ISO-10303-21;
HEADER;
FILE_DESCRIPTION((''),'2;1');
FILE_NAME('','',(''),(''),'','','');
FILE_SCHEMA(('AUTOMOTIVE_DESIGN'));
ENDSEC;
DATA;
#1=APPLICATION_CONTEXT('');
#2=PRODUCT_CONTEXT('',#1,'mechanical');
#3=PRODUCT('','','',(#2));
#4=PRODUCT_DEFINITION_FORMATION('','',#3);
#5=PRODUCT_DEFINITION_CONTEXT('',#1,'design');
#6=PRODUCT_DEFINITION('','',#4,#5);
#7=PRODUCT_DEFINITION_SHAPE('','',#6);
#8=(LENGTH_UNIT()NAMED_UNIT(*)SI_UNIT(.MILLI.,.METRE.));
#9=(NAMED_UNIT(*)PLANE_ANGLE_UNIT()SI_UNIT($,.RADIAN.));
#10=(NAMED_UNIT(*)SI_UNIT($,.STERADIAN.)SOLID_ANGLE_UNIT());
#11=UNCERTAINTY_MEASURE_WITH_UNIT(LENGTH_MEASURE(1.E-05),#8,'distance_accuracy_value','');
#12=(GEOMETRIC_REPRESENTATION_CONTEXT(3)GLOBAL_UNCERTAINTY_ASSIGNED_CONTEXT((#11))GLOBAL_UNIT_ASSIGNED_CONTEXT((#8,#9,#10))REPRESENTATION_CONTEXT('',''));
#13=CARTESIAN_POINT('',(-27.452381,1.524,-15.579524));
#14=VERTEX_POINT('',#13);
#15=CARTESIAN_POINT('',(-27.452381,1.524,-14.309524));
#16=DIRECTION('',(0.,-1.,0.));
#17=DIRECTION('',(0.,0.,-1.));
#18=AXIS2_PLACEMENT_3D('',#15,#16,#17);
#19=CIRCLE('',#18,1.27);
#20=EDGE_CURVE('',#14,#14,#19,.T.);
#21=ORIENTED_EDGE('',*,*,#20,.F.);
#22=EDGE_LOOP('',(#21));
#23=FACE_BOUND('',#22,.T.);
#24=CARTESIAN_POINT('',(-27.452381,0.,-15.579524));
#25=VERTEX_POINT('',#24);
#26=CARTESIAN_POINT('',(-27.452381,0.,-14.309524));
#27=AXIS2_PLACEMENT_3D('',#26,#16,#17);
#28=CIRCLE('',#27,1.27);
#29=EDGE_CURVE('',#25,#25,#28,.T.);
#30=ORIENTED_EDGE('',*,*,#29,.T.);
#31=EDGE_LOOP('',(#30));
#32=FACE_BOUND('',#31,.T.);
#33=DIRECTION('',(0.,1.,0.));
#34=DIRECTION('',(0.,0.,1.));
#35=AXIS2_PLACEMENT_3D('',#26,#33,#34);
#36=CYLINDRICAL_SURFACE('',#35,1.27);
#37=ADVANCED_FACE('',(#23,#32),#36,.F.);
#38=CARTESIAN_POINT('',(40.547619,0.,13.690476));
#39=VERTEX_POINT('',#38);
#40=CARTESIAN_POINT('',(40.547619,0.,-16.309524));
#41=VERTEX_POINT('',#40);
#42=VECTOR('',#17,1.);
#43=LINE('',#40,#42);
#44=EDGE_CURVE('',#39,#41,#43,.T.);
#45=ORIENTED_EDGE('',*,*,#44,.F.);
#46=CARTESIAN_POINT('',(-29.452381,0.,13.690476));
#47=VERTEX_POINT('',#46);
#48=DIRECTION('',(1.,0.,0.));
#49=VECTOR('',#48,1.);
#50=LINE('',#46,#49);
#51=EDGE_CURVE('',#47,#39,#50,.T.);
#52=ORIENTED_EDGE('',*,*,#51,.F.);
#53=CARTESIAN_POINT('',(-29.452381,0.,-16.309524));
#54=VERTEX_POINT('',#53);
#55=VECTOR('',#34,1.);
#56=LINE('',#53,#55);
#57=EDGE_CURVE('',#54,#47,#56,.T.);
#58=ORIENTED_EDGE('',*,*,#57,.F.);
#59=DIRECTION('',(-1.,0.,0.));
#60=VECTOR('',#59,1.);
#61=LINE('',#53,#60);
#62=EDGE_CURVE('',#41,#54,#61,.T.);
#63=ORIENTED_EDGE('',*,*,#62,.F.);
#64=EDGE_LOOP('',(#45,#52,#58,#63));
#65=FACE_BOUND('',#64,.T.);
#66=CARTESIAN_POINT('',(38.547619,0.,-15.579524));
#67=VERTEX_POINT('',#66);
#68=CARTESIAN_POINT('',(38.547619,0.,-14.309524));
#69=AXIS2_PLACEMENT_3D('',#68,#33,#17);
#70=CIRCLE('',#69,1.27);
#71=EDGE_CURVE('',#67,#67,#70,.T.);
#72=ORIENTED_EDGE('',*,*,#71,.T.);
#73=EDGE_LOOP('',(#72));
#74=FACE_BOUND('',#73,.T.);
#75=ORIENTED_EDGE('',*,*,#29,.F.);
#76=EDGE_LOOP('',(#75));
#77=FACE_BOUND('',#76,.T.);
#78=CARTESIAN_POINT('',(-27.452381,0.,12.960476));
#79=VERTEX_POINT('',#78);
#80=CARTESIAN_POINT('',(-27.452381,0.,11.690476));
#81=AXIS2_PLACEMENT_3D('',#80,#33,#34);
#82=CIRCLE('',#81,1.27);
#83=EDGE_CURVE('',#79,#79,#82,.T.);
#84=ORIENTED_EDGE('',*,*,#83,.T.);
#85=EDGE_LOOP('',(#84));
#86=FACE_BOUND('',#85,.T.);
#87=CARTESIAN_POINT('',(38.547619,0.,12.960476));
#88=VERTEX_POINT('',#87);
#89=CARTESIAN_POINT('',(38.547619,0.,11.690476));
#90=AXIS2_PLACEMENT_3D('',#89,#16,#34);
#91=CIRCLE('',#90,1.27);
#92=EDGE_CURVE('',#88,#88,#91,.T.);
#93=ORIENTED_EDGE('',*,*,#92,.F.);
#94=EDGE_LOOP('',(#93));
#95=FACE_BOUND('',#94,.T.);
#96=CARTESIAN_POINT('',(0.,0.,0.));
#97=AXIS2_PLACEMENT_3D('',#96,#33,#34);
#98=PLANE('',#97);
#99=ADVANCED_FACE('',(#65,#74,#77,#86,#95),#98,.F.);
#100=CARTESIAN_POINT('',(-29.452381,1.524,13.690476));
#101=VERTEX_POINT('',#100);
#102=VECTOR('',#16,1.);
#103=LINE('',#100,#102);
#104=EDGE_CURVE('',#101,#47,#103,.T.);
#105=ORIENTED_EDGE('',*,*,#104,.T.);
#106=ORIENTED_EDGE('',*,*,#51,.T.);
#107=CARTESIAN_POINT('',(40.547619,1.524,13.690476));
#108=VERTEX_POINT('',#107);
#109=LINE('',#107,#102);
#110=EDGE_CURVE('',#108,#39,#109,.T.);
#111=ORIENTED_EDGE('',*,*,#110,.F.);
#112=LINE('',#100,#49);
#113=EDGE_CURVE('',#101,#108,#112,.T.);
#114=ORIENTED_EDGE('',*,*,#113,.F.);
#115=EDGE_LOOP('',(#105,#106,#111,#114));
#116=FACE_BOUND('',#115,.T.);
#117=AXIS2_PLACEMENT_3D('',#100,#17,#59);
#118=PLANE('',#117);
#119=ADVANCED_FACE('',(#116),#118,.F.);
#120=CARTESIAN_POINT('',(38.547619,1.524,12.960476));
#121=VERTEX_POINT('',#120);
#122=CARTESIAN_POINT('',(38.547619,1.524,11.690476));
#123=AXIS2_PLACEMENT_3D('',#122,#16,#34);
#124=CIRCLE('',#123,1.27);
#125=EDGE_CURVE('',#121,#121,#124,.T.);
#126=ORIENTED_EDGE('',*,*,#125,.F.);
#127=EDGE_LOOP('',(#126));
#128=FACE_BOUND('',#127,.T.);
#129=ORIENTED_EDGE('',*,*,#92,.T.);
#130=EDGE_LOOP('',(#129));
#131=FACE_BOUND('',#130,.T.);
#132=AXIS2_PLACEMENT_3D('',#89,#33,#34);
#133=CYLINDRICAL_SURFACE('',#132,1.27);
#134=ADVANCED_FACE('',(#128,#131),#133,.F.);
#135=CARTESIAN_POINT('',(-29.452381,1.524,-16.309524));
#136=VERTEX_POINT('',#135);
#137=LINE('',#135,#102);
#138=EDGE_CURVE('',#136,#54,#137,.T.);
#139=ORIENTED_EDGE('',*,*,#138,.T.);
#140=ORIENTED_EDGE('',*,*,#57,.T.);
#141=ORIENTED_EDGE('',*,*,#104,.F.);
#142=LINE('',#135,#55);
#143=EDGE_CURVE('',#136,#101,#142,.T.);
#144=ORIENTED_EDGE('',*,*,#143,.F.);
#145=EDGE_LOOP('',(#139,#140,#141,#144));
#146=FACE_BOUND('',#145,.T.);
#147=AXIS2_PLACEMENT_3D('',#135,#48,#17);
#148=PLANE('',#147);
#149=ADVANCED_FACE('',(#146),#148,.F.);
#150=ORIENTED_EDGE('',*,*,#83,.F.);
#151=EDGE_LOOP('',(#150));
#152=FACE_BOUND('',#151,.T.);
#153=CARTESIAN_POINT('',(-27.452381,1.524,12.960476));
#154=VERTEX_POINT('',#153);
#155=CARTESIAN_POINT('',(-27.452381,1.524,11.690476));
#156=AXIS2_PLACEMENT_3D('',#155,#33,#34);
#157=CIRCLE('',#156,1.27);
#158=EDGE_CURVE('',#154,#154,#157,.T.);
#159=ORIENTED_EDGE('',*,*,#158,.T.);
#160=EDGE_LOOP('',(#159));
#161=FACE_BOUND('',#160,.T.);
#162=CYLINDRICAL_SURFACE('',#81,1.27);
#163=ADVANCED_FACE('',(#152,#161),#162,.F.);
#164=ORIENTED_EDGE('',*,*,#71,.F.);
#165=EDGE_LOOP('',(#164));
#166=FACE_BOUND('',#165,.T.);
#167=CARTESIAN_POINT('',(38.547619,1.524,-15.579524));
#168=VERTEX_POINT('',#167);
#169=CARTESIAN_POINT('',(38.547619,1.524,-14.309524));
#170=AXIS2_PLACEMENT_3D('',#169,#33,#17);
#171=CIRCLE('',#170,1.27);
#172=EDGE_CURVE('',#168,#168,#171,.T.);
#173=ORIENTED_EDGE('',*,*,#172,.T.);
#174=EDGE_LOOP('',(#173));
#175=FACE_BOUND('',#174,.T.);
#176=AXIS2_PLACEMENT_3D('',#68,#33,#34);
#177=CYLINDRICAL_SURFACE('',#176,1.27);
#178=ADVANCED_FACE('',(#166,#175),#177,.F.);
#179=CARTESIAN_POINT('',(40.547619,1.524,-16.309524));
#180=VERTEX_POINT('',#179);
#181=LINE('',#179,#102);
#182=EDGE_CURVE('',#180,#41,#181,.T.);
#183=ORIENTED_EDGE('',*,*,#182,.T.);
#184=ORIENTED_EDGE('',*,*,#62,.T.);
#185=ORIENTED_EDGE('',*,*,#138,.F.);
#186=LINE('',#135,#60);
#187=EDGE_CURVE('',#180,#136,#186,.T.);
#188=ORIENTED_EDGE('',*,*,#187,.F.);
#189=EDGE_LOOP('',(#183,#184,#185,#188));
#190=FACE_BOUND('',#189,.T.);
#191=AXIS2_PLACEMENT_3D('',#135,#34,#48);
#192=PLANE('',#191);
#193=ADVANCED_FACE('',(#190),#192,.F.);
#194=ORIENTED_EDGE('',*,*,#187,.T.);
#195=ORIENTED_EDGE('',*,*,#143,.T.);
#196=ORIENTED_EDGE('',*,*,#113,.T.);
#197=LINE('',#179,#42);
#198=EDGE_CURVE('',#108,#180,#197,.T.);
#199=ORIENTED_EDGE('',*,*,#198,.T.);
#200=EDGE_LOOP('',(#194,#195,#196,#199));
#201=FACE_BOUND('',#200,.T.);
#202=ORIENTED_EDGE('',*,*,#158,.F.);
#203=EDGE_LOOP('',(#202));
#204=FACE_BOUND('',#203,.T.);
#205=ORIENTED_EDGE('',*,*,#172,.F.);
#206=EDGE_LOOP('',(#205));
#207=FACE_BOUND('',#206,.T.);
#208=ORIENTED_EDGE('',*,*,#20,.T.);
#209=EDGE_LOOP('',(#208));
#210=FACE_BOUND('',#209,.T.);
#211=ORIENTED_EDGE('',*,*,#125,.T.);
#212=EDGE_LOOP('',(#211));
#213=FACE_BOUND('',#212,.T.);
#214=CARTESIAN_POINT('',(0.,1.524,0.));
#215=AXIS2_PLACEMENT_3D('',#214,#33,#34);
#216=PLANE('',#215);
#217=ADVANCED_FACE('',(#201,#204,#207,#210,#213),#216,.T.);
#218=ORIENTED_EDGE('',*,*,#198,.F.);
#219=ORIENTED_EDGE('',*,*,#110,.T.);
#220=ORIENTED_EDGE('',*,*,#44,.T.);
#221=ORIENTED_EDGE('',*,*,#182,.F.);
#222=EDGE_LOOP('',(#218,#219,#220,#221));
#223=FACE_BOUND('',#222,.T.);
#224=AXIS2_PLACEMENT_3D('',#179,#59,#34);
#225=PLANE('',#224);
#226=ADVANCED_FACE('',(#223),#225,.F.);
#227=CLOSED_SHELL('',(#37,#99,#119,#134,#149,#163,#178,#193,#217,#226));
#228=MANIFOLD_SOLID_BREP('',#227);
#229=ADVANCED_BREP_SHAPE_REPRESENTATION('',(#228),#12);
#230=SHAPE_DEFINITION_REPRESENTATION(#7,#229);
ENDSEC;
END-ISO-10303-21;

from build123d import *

# Parameters (mm, degrees)
SKETCH1_W               = 70
SKETCH1_H               = 30
BOSS_EXTRUDE1_DEPTH     = 1.524
SKETCH2_R               = 1.27
CUT_EXTRUDE1_DEPTH      = 2.524
MIRROR2_COPY_1_SKETCH_R = 1.27
MIRROR2_COPY_1_DEPTH    = 2.524


with BuildPart() as part:
    # Sketch1 → Boss-Extrude1 (new body)
    with BuildSketch(Plane(origin=(0, 0, 0), x_dir=(1, 0, 0), z_dir=(0, 1, 0))):
        with Locations((5.547619048, 1.30952381)):
            Rectangle(SKETCH1_W, SKETCH1_H)
    extrude(amount=BOSS_EXTRUDE1_DEPTH)

    # Sketch2 → Cut-Extrude1 (cut, through all)
    with BuildSketch(Plane(origin=(0, 1.524, 0), x_dir=(1, 0, 0), z_dir=(0, 1, 0))):
        with Locations((-27.452380952, -11.69047619)):
            Circle(SKETCH2_R)
    cut_extrude1 = extrude(amount=-CUT_EXTRUDE1_DEPTH, mode=Mode.SUBTRACT)

    # Mirror1: Cut-Extrude1 across plane
    add(cut_extrude1.mirror(Plane.ZY.offset(-5.547619048)), mode=Mode.SUBTRACT)

    # Mirror2: Cut-Extrude1 across plane
    add(cut_extrude1.mirror(Plane(origin=(0, 0, -1.30952381), x_dir=(1, 0, 0), z_dir=(0, 0, -1))), mode=Mode.SUBTRACT)

    # Mirror2 copy 1 sketch → Mirror2 copy 1 (cut, through all)
    with BuildSketch(Plane(origin=(11.095238095, 1.524, -2.619047619), x_dir=(-1, 0, 0), z_dir=(0, 1, 0))):
        with Locations((-27.452380952, -11.69047619)):
            Circle(MIRROR2_COPY_1_SKETCH_R)
    extrude(amount=-MIRROR2_COPY_1_DEPTH, mode=Mode.SUBTRACT)


solid = part.part
